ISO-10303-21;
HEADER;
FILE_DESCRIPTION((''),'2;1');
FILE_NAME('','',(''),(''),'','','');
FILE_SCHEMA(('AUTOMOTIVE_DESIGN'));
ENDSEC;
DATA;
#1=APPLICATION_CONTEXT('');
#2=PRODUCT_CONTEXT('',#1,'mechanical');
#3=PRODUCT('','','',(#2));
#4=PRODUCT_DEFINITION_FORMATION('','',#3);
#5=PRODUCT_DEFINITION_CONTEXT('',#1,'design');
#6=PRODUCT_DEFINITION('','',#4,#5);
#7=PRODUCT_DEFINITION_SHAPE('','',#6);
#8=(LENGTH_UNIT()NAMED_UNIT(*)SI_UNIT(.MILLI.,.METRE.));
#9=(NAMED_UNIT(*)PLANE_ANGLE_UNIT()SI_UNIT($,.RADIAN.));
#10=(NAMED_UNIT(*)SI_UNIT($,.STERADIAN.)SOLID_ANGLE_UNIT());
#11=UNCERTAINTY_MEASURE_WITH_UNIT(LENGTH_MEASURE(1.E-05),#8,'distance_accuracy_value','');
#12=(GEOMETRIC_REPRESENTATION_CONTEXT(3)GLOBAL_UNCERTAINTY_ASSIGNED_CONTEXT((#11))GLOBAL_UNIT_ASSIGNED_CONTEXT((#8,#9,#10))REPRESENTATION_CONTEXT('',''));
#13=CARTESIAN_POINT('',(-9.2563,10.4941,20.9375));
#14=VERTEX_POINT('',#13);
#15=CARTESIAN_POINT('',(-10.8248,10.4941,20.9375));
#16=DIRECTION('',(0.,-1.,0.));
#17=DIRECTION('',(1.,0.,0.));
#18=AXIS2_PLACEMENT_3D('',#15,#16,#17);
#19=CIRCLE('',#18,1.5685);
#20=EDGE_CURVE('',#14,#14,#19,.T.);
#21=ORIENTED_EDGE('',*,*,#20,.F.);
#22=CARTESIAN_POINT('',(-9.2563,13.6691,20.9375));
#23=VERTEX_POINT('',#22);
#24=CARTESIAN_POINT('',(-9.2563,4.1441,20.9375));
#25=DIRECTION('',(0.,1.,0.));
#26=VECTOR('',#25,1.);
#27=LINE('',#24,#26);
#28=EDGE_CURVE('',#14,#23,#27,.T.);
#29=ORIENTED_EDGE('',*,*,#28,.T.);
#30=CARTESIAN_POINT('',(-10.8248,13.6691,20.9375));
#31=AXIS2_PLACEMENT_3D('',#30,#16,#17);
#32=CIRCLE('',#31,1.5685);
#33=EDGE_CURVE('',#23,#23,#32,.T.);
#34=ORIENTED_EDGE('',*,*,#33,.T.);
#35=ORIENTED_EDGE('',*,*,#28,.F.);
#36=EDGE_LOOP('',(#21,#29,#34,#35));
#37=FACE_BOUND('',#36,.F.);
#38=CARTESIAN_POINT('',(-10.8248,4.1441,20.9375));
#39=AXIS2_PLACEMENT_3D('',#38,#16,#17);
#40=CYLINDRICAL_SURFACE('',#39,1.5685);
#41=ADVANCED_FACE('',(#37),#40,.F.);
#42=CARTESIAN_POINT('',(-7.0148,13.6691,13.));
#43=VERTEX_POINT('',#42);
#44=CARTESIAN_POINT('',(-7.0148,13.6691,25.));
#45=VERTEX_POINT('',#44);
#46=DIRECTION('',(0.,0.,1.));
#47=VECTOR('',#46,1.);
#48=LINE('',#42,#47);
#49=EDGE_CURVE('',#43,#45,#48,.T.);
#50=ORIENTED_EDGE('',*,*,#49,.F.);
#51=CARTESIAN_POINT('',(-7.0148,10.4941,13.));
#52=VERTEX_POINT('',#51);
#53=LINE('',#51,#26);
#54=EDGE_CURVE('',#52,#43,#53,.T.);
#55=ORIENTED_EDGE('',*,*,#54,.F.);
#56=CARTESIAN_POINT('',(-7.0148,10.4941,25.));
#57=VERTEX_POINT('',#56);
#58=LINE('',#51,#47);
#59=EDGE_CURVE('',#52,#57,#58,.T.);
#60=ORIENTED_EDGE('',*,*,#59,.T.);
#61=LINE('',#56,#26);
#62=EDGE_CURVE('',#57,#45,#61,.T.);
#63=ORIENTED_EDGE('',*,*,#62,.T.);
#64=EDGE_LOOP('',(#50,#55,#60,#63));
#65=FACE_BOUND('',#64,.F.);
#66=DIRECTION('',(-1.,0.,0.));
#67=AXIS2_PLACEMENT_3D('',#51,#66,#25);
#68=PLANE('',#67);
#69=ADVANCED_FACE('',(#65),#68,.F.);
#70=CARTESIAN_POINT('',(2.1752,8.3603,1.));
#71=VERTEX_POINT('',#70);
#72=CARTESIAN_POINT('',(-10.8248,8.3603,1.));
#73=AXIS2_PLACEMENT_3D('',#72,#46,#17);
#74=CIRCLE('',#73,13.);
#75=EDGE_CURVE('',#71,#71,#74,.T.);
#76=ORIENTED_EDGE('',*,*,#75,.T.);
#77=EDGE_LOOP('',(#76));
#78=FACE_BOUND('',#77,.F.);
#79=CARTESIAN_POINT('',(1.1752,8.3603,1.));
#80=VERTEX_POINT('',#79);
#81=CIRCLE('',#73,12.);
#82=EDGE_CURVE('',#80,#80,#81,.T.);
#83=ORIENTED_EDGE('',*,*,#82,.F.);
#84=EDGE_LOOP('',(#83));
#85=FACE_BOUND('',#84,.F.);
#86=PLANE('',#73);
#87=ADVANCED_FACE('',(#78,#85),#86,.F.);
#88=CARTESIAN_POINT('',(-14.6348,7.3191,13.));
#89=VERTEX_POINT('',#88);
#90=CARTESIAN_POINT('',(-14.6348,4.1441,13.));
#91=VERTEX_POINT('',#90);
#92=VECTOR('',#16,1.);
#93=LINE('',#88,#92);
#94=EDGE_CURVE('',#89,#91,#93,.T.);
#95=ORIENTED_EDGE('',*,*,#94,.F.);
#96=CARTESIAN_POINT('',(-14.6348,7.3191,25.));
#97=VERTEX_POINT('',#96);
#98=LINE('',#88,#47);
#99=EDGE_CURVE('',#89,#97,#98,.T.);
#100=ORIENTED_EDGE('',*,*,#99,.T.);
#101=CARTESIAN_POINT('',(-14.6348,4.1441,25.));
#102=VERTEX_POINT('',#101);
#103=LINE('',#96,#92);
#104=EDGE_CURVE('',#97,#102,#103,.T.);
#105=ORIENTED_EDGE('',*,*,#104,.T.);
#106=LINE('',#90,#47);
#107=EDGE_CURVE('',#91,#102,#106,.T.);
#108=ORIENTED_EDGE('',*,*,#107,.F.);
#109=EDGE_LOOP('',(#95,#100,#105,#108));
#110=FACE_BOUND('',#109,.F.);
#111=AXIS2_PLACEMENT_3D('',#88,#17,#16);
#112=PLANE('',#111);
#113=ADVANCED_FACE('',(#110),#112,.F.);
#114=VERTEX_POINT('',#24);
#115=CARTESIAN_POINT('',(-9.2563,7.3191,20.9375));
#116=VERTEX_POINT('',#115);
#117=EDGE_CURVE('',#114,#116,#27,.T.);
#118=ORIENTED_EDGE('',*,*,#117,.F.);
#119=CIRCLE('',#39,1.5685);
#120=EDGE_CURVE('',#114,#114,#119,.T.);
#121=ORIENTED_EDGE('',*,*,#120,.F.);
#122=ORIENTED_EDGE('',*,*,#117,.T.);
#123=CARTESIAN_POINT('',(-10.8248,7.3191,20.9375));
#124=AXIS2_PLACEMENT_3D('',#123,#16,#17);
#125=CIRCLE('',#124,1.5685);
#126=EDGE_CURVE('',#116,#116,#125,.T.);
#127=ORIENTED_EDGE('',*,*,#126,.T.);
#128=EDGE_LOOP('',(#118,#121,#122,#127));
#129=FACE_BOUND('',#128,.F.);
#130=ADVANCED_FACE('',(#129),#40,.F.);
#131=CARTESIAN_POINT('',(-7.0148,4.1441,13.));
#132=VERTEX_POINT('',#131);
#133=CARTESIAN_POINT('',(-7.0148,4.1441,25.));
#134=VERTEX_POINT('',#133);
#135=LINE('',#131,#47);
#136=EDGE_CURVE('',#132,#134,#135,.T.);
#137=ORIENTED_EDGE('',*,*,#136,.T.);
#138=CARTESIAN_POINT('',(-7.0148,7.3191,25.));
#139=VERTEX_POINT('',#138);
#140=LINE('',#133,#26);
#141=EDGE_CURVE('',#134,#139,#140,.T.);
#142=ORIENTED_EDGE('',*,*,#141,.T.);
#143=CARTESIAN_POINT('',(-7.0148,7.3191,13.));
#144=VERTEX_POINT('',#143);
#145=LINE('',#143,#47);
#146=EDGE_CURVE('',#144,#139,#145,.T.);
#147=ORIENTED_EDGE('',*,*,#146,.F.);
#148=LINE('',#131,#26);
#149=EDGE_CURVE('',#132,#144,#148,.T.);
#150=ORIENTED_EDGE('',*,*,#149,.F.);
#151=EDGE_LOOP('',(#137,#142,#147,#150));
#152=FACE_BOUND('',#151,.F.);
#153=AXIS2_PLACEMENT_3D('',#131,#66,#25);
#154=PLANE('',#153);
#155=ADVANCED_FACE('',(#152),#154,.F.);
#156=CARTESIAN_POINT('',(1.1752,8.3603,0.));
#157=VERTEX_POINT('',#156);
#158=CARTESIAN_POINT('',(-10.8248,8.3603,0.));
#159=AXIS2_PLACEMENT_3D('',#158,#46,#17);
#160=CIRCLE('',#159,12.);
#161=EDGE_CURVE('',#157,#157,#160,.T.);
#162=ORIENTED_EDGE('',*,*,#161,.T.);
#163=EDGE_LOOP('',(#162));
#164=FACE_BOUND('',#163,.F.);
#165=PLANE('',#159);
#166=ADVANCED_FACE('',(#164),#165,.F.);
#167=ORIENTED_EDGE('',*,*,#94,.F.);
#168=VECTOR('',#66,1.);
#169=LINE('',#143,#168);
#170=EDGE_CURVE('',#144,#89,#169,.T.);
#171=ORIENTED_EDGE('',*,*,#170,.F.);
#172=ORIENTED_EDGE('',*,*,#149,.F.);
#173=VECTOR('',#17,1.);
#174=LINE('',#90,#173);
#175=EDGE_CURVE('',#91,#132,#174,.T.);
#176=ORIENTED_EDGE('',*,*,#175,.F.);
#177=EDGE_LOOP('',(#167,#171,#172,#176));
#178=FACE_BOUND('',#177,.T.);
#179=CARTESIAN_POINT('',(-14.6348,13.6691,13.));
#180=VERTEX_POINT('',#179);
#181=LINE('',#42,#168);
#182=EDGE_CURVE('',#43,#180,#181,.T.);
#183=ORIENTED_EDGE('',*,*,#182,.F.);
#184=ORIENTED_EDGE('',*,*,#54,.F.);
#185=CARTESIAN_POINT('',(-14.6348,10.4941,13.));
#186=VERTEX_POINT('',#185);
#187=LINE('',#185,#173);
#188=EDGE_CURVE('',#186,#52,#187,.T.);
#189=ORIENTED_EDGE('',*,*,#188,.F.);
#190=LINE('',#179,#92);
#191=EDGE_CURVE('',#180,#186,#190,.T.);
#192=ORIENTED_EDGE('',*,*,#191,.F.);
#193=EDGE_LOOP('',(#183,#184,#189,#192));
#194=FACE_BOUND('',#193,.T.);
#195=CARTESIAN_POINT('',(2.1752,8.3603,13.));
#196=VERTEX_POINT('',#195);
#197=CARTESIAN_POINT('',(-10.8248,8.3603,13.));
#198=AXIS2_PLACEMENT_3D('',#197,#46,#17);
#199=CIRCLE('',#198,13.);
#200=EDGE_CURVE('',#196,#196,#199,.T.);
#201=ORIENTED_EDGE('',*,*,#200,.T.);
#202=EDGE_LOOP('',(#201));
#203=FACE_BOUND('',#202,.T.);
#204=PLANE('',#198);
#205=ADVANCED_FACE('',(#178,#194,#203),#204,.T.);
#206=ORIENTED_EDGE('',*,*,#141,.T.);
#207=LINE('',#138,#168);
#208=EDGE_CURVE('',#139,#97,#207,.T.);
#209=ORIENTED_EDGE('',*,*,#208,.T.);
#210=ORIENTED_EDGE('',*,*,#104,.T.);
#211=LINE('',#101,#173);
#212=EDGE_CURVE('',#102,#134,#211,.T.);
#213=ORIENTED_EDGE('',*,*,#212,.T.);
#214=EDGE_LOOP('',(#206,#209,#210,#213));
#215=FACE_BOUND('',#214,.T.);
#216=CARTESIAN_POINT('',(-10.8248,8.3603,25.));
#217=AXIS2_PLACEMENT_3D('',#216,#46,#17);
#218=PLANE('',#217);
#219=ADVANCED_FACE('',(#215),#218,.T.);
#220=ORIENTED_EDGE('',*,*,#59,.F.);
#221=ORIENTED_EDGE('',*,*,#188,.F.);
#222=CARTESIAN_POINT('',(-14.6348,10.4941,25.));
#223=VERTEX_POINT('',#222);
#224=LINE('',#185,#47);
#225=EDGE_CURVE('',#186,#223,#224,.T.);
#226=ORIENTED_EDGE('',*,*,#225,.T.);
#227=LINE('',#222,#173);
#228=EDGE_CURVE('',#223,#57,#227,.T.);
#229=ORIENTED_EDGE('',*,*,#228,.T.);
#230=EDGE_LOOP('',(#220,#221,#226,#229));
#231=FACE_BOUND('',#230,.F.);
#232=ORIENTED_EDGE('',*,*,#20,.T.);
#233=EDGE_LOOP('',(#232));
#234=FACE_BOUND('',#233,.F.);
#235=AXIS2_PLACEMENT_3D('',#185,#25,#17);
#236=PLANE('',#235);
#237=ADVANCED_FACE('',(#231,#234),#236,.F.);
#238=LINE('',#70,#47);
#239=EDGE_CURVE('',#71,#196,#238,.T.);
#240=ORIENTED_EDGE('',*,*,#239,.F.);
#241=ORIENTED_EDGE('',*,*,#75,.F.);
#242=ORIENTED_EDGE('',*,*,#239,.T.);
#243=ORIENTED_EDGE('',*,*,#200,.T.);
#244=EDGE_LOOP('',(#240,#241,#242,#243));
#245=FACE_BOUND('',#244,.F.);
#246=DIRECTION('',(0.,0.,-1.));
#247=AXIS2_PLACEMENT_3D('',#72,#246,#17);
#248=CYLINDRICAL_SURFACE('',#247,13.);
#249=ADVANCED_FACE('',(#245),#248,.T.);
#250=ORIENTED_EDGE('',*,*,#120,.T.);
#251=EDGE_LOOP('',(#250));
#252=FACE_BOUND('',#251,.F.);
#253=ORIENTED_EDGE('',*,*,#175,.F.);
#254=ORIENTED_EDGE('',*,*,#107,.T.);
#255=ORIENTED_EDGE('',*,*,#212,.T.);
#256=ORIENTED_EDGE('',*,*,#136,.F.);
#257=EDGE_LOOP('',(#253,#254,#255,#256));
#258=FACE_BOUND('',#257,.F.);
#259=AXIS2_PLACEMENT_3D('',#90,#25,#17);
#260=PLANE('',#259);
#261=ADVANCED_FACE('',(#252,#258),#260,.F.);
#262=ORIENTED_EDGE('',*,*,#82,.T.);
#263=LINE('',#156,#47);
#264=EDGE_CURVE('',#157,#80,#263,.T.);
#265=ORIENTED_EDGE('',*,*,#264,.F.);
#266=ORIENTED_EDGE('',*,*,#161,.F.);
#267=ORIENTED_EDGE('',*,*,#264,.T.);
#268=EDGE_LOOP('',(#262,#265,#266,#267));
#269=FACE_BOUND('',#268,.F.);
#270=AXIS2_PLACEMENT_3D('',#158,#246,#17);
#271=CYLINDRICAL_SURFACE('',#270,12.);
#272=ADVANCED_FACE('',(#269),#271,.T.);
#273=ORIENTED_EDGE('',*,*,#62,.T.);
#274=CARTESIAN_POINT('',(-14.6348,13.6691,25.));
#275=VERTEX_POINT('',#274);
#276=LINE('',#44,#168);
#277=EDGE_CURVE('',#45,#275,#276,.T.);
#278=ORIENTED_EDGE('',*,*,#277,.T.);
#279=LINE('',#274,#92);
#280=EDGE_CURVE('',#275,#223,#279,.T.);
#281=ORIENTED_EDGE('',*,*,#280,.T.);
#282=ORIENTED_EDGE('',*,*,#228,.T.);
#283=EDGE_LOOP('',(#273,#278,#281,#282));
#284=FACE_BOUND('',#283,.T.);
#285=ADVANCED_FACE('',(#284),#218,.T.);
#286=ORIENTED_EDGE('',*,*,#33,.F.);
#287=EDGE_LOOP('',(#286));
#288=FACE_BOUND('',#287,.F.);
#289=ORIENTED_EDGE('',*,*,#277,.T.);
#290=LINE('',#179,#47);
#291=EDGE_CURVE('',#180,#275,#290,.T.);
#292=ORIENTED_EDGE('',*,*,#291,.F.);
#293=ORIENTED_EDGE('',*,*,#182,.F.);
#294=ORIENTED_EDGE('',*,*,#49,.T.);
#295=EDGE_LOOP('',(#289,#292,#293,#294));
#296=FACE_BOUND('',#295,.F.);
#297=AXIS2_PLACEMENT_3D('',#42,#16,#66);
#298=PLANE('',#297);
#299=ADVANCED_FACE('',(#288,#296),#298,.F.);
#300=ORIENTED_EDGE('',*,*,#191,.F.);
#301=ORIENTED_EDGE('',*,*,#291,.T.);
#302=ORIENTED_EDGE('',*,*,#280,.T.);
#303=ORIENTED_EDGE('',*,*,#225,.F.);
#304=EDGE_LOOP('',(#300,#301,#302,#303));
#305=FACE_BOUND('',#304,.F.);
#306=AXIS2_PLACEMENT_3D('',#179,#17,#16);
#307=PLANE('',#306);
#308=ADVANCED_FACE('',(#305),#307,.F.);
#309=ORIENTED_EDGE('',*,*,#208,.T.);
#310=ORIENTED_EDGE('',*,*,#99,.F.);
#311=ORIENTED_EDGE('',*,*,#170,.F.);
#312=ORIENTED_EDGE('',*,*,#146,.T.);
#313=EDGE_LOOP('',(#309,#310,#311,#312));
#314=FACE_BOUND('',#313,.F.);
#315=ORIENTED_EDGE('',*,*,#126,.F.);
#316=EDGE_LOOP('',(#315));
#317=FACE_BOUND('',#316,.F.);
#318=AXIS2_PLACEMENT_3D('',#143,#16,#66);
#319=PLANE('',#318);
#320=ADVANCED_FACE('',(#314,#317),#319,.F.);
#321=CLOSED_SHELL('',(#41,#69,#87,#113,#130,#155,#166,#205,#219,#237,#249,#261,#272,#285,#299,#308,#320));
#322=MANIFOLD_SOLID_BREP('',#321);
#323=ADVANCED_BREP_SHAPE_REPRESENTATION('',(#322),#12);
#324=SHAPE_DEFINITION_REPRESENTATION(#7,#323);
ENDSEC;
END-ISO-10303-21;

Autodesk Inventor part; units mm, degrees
ref_plane "YZ Plane" through (0, 0, 0) normal (1, 0, 0) x (0, 1, 0)
ref_plane "XZ Plane" through (0, 0, 0) normal (0, 1, 0) x (-1, 0, 0)
ref_plane "XY Plane" through (0, 0, 0) normal (0, 0, 1) x (1, 0, 0)
ref_plane "Work Plane1" through (-10.8248, 8.3603, 0) normal (0, 0, 1) x (1, 0, 0)
sketch "Sketch3" plane through (-10.8248, 8.3603, 0) normal (0, 0, 1) x (1, 0, 0)
  circle A0 centre (0, 0) radius 12
  point P0 (0, 0)
  dimension "d0" = 24
extrude "Extrusion1" add sketch "Sketch3" along normal blind 1
sketch "Sketch4" plane through (-10.8248, 8.3603, 1) normal (0, 0, 1) x (1, 0, 0)
  circle A0 centre (0, 0) radius 13
  circle A1 centre (0, 0) radius 12 projected
  dimension "d4" = 26
extrude "Extrusion2" add sketch "Sketch4" along normal blind 12 contours A0 | A1
sketch "Sketch5" plane through (-10.8248, 8.3603, 13) normal (0, 0, 1) x (1, 0, 0)
  line L0 (-3.81, 2.1338) -> (3.81, 2.1338)
  line L1 (3.81, 2.1338) -> (3.81, 5.3088)
  line L2 (3.81, 5.3088) -> (-3.81, 5.3088)
  line L3 (-3.81, 5.3088) -> (-3.81, 2.1338)
  line L4 (-3.81, -4.2162) -> (3.81, -4.2162)
  line L5 (3.81, -4.2162) -> (3.81, -1.0412)
  line L6 (3.81, -1.0412) -> (-3.81, -1.0412)
  line L7 (-3.81, -1.0412) -> (-3.81, -4.2162)
  circle A0 centre (0, 0) radius 13 projected
  point P0 (0, -7.7939)
  dimension "d15" = 7.62
  dimension "d16" = 3.175
  dimension "d17" = 7.62
  dimension "d18" = 3.175
  dimension "d19" = 3.175
  dimension "d20" = 3.81
  dimension "d21" = 3.81
extrude "Extrusion3" add sketch "Sketch5" along normal blind 12 contours L3 L2 L1 L0 | L7 L6 L5 L4
sketch "Sketch6" plane through (-15.5873, 4.1441, 13) normal (0, -1, 0) x (1, 0, 0)
  circle A0 centre (4.7625, 7.9375) radius 1.5685
  line L0 (0.9525, 0) -> (0.9525, 12) projected
  point P0 (4.7625, -37.7)
  dimension "d22" = 3.81
extrude "Extrusion4" cut sketch "Sketch6" against normal blind 12
properties part number "Swing_Joint_2"
